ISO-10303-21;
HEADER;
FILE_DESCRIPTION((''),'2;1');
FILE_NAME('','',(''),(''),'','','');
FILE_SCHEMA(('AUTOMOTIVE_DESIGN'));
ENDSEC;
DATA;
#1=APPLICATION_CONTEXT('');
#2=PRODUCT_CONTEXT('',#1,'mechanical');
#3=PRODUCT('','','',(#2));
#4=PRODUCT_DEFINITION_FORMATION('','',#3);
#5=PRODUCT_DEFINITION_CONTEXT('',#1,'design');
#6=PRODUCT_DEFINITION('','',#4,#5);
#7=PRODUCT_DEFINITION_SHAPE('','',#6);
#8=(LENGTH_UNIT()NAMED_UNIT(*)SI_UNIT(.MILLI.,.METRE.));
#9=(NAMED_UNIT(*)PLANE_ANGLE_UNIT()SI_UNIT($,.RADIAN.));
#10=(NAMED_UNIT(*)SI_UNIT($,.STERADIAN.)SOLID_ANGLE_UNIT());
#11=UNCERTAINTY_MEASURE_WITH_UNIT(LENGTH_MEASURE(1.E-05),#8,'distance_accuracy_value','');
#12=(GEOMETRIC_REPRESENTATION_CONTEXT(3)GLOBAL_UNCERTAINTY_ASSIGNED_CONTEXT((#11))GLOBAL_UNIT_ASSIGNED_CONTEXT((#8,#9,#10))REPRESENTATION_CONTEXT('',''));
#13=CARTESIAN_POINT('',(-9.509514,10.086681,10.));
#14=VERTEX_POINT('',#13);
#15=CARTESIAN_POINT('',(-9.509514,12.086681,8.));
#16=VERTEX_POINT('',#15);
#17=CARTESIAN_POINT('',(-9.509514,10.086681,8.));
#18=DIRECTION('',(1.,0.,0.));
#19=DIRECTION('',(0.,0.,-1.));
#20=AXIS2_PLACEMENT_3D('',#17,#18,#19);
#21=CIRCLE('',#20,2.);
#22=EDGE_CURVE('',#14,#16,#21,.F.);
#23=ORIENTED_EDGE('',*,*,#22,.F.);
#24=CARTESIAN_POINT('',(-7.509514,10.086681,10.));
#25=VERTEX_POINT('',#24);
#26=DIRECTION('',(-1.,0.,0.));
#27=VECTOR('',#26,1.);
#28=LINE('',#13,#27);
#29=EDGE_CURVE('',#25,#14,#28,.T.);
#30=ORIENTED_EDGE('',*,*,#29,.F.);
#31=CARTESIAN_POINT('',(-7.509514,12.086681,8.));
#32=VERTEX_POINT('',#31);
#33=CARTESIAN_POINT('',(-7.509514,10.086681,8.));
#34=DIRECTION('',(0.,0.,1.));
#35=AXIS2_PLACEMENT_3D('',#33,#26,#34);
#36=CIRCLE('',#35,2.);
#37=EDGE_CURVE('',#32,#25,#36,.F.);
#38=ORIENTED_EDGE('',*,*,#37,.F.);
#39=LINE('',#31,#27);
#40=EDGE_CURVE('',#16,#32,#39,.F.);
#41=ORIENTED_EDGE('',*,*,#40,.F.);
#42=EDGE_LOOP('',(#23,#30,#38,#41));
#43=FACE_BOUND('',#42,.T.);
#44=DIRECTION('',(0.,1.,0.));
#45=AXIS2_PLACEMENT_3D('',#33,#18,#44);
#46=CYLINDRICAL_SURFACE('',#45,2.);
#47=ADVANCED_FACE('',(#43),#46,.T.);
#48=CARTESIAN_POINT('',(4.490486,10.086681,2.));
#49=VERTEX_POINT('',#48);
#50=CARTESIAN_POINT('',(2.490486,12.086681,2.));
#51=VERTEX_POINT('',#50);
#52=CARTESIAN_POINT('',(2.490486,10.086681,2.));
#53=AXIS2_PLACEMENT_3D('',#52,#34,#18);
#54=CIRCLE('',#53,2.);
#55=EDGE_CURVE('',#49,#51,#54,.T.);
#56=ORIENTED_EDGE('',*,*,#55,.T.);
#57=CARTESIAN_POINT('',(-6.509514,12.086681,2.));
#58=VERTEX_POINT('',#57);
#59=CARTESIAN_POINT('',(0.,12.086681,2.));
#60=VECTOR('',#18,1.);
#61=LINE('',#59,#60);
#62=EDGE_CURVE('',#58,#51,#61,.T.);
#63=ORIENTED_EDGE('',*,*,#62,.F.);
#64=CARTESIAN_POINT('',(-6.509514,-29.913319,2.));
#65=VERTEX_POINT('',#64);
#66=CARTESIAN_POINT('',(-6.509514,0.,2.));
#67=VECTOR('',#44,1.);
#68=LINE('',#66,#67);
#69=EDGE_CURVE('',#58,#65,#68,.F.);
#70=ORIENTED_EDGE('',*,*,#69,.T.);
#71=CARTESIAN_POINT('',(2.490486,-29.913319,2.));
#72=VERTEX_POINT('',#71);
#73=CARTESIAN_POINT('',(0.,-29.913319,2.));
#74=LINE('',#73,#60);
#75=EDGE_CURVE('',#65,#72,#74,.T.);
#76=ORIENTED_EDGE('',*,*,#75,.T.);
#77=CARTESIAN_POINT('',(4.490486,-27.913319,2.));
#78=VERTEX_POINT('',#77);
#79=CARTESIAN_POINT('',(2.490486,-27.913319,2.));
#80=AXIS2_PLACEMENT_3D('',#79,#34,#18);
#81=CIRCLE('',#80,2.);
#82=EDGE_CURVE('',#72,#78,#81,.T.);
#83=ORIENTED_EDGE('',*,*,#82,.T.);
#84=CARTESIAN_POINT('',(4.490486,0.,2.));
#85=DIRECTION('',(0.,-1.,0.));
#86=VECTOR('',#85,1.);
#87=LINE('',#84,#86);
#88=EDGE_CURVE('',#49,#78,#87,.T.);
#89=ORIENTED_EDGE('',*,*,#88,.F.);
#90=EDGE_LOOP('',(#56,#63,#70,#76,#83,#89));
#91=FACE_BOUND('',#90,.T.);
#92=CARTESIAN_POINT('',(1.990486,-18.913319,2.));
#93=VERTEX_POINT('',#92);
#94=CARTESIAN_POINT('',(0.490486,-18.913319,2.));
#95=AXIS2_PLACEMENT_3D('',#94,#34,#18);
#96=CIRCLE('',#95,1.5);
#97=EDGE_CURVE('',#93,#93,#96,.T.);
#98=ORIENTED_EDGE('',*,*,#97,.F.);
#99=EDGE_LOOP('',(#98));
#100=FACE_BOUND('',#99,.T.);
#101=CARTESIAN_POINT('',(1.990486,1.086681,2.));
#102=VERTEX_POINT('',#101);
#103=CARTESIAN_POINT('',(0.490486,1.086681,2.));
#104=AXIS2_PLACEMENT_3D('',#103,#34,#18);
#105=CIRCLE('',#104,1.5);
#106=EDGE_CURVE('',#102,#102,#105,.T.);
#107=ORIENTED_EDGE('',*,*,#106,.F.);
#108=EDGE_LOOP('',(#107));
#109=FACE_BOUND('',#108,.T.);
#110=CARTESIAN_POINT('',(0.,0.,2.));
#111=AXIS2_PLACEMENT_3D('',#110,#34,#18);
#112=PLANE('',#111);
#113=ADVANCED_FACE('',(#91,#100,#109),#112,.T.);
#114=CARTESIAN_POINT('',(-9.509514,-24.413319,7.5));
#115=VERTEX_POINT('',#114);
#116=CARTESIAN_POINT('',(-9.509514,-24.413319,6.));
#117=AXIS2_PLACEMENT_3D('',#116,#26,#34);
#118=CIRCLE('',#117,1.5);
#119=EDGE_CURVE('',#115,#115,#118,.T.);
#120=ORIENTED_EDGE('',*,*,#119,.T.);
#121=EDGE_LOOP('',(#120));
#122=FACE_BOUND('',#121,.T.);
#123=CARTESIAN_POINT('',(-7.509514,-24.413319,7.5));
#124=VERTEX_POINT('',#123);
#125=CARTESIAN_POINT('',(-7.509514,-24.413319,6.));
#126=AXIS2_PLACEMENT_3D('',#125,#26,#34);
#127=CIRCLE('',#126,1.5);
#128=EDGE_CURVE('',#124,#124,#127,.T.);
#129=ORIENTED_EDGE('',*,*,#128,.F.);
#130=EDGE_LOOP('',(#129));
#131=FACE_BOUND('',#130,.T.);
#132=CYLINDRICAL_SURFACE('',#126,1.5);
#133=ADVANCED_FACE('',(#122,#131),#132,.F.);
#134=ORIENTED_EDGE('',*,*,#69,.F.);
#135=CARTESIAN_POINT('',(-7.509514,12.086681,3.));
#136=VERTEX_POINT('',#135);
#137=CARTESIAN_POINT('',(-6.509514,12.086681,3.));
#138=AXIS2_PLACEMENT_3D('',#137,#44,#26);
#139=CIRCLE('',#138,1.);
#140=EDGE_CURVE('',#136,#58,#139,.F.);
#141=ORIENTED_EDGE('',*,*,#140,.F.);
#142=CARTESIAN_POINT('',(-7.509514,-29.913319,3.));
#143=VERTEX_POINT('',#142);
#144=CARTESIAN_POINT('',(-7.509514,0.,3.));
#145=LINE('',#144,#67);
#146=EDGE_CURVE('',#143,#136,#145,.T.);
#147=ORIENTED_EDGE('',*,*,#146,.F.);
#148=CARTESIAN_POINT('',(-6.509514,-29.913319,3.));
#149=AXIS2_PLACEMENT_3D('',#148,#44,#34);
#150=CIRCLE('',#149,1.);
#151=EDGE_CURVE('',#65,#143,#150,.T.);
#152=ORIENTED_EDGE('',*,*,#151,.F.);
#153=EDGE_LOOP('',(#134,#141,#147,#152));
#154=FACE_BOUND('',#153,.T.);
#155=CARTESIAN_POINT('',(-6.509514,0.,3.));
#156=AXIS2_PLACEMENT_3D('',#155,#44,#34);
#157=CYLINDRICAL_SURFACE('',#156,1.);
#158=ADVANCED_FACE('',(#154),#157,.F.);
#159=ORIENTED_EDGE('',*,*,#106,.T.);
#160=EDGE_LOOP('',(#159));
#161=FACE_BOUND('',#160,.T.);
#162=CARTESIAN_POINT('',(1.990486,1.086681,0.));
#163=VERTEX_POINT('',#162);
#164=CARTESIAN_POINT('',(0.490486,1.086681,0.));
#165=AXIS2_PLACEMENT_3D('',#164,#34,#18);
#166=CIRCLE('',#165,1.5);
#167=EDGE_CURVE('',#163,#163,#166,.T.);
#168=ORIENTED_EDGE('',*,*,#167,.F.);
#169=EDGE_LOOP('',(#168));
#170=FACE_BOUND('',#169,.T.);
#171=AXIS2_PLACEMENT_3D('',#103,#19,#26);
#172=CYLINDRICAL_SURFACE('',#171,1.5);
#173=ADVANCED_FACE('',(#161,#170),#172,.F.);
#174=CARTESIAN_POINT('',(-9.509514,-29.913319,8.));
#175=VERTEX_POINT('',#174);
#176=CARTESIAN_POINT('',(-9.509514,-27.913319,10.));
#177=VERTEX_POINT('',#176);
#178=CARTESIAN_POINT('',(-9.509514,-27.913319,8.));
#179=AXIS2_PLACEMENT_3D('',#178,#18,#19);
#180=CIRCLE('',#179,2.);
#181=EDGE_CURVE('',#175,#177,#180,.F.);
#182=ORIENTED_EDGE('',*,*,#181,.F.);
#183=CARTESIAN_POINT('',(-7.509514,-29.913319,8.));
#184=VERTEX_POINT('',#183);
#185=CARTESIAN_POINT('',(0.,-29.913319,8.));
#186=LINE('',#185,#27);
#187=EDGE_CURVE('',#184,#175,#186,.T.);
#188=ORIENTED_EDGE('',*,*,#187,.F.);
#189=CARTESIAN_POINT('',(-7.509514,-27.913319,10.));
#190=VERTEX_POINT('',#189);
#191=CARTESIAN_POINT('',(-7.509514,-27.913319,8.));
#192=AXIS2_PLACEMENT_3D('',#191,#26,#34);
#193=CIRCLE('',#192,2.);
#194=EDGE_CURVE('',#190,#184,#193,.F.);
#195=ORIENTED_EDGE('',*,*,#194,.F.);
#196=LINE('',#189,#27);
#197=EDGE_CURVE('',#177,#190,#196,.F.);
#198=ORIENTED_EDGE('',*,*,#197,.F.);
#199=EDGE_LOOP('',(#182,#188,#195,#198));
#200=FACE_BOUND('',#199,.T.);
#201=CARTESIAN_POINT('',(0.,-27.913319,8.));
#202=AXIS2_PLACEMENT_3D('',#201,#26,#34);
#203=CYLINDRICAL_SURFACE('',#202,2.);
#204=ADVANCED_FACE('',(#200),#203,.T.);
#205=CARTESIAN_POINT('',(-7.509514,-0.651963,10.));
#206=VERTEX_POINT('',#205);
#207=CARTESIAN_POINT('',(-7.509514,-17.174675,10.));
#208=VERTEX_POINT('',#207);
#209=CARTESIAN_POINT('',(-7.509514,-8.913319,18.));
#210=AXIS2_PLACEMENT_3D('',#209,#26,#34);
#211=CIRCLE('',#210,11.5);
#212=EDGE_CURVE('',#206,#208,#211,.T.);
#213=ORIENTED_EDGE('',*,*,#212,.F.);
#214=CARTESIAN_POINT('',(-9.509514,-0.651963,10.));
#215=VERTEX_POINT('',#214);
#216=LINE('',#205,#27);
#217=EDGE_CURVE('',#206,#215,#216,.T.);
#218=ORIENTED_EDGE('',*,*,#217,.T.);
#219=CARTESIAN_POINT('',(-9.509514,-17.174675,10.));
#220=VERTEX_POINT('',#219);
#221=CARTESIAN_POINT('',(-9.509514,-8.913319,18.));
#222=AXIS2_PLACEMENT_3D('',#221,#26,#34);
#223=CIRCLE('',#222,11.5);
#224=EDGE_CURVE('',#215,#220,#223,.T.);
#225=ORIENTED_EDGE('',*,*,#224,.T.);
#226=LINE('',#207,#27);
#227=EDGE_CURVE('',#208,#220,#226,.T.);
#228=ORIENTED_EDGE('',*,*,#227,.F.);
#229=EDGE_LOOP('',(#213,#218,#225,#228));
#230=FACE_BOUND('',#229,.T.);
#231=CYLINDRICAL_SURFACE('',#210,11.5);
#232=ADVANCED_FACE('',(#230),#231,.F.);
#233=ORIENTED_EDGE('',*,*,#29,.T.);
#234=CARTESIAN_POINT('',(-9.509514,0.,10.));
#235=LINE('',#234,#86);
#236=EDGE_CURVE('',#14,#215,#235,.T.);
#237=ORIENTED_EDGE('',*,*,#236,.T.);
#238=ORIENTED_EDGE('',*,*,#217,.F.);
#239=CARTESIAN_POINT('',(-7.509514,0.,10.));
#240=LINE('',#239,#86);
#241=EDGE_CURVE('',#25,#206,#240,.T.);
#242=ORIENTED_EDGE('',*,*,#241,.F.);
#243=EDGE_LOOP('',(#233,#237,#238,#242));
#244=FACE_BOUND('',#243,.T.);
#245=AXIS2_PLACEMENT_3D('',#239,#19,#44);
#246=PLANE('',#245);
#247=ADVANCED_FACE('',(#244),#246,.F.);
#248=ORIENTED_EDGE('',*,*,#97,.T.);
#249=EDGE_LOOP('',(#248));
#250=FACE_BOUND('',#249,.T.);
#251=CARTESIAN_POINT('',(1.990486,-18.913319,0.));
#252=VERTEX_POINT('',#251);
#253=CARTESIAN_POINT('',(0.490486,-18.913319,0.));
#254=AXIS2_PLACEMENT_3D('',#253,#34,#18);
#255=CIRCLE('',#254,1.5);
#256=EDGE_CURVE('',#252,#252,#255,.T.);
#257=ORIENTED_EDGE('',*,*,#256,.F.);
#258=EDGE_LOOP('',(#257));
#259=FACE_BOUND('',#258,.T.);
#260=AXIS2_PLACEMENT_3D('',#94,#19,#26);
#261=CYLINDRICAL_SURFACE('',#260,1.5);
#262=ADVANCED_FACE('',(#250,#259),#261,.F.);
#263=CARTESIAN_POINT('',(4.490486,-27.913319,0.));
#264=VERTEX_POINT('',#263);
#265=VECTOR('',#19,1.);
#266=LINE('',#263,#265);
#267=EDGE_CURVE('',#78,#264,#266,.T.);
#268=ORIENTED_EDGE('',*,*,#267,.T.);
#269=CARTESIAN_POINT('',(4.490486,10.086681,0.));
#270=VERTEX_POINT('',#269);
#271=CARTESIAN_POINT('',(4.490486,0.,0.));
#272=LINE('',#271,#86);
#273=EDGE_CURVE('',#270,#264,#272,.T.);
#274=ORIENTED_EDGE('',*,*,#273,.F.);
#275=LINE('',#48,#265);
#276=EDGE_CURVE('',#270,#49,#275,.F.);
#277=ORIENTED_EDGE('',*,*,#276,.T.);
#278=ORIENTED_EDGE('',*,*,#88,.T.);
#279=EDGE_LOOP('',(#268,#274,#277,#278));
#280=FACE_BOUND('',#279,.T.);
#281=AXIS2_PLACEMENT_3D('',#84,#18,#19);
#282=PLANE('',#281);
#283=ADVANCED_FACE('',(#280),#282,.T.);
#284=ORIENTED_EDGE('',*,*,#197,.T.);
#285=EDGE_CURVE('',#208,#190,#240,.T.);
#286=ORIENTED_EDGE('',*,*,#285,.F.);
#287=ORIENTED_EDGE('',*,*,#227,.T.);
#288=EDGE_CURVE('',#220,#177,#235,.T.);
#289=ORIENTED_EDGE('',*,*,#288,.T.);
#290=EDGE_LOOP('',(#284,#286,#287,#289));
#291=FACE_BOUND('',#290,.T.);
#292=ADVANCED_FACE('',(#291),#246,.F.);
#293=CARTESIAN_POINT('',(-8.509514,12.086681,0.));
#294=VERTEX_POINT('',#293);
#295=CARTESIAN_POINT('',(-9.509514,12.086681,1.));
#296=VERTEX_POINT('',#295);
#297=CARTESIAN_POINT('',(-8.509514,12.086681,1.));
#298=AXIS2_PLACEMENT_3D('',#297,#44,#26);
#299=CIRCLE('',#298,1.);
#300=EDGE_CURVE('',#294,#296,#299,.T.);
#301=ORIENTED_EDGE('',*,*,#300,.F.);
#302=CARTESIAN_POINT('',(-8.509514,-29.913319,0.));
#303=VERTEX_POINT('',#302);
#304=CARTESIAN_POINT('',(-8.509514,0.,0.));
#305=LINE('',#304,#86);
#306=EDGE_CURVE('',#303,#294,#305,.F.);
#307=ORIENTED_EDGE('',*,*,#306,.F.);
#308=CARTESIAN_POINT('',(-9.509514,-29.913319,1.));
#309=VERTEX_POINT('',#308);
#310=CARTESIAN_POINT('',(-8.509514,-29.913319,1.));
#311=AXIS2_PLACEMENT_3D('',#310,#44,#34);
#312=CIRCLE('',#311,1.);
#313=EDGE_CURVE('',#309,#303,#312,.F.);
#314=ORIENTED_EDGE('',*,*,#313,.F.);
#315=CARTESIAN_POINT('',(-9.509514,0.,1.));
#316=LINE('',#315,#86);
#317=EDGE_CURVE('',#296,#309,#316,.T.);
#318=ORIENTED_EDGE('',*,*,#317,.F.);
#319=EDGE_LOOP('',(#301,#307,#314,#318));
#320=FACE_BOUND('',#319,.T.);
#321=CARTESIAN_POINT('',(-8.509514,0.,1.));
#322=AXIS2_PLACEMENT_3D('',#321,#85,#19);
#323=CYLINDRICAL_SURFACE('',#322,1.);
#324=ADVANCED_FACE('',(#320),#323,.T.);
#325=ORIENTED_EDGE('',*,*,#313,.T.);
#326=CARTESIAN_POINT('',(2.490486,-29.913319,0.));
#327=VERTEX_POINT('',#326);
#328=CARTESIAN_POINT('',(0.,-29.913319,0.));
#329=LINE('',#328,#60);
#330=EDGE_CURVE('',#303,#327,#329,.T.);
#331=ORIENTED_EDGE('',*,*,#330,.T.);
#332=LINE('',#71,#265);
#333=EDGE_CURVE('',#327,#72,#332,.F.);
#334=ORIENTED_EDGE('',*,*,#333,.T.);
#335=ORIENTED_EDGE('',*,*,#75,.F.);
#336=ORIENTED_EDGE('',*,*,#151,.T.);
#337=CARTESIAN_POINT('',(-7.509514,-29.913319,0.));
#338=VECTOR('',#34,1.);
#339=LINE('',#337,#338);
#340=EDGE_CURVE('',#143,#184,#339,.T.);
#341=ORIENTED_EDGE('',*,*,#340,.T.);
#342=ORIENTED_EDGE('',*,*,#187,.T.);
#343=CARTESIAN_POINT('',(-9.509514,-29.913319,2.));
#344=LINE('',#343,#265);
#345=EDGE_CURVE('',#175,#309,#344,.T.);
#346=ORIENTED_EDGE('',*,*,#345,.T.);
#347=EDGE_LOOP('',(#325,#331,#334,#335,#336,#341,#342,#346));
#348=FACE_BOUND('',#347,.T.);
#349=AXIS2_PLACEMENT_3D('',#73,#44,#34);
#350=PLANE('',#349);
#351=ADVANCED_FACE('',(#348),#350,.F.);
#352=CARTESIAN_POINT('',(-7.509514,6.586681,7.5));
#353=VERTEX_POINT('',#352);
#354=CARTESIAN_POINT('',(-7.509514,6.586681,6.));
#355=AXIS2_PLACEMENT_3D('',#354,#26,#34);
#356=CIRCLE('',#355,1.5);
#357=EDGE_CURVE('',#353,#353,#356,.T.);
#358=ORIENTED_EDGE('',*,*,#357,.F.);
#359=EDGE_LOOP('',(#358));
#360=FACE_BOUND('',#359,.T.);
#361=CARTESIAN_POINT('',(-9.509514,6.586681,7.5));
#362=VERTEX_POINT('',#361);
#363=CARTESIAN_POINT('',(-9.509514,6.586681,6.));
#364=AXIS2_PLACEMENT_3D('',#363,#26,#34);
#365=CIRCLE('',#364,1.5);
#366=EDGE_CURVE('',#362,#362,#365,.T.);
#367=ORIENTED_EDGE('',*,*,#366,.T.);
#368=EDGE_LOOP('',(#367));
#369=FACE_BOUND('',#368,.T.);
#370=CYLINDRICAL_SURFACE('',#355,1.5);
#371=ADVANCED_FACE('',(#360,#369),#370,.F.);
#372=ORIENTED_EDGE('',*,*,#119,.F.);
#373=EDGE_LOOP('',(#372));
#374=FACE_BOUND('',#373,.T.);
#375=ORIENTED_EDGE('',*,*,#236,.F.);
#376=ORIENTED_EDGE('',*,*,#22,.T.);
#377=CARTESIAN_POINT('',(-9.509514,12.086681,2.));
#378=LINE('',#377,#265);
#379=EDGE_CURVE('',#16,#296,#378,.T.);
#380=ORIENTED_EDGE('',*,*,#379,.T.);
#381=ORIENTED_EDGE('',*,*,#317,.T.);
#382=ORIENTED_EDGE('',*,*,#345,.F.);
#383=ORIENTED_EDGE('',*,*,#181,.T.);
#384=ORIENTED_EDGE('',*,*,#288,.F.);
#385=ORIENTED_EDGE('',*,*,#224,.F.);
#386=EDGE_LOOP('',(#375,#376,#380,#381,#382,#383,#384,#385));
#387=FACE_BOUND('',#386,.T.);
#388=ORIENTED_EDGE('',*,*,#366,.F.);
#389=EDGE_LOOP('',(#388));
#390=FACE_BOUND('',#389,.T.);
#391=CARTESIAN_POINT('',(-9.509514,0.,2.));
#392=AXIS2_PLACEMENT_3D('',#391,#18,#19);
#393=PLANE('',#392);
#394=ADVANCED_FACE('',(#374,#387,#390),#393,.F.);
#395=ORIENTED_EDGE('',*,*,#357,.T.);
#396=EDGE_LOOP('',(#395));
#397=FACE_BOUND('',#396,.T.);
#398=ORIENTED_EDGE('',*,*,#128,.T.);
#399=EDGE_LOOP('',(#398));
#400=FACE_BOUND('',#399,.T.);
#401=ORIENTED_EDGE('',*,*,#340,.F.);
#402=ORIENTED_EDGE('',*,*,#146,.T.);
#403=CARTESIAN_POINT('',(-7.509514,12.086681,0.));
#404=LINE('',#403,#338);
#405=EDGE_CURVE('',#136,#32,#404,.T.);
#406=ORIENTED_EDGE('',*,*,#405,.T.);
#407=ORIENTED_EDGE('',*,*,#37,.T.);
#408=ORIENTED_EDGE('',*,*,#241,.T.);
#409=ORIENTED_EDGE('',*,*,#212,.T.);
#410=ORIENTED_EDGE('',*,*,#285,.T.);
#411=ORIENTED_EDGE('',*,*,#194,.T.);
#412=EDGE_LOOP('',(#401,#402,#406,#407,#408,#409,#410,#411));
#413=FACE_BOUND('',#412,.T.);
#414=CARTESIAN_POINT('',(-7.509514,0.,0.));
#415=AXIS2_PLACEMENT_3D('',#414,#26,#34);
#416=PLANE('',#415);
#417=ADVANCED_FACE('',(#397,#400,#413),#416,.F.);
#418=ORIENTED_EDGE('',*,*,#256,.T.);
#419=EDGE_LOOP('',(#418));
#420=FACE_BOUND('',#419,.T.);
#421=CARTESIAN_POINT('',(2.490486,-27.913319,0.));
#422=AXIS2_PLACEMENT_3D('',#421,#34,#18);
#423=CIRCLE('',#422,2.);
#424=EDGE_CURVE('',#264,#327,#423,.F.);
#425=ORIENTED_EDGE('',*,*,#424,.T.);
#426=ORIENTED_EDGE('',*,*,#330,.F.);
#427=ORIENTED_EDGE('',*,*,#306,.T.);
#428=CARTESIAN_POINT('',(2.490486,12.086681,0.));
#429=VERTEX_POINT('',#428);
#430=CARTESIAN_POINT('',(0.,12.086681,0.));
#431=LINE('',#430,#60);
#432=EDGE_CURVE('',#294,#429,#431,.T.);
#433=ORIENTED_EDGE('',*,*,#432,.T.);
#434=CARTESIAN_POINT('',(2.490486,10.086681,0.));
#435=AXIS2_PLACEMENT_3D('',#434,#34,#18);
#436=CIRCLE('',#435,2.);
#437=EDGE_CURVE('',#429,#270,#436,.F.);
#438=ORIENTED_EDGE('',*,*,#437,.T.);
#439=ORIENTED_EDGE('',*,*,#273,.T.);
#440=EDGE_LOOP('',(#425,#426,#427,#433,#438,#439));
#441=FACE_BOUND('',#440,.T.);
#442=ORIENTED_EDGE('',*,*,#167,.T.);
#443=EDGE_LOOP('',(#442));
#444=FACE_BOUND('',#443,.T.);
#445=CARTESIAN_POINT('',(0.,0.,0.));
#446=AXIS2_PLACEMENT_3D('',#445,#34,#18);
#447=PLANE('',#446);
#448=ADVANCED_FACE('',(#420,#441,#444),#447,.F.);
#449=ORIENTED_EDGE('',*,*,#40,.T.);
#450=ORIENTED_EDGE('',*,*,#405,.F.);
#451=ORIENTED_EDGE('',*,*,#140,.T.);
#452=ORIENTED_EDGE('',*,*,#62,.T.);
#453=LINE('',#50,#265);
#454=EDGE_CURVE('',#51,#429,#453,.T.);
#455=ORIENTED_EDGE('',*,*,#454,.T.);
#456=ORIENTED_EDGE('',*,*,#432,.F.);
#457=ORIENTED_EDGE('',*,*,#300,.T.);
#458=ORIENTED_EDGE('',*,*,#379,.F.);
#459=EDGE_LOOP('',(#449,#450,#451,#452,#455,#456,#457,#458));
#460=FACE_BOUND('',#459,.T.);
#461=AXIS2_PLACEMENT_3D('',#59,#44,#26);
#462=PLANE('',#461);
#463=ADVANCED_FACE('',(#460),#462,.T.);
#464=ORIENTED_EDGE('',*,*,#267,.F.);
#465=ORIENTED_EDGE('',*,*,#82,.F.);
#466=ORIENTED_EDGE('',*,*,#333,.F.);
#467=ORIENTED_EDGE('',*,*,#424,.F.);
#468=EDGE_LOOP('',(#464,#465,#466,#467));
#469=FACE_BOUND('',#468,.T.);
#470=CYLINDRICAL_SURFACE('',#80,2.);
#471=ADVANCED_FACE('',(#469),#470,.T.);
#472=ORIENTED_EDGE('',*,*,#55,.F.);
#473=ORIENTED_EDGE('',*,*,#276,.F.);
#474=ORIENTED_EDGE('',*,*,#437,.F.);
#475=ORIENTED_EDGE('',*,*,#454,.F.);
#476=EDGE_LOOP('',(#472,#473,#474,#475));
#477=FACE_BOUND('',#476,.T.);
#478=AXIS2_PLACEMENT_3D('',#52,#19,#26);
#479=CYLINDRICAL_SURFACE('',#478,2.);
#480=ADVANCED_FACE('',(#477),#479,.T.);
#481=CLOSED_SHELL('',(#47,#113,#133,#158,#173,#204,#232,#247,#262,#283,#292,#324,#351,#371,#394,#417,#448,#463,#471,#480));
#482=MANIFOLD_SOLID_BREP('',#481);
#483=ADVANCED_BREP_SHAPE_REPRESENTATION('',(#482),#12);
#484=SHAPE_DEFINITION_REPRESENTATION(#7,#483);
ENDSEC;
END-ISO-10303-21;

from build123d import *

# Parameters (mm, degrees)
SKETCH_1_W      = 14
SKETCH_1_H      = 42
SKETCH_1_R      = 1.5
EXTRUDE_1_DEPTH = 2
EXTRUDE_2_DEPTH = 2
FILLET_1_R      = 2
FILLET_2_R      = 1


with BuildPart() as part:
    # 草图1 → 凸台-拉伸1 (new body)
    with BuildSketch(Plane.XY):
        with Locations((-2.509513742, -8.913319239)):
            Rectangle(SKETCH_1_W, SKETCH_1_H)
        with Locations((0.490486258, 1.086680761)):
            Circle(SKETCH_1_R, mode=Mode.SUBTRACT)
        with Locations((0.490486258, -18.913319239)):
            Circle(SKETCH_1_R, mode=Mode.SUBTRACT)
    extrude(amount=EXTRUDE_1_DEPTH)

    # 草图2 → 凸台-拉伸2 (add)
    with BuildSketch(Plane.ZY.offset(9.509513742)):
        with BuildLine():
            Line((10, 12.086680761), (2, 12.086680761))
            Line((2, 12.086680761), (2, -29.913319239))
            Line((2, -29.913319239), (10, -29.913319239))
            Line((10, -29.913319239), (10, -17.17467506))
            ThreePointArc((10, -17.17467506), (6.5, -8.913319239), (10, -0.651963418))
            Line((10, -0.651963418), (10, 12.086680761))
        make_face()
        with BuildLine():
            ThreePointArc((7.5, -24.413319239), (4.939339828, -25.473979411), (6, -22.913319239))
            ThreePointArc((6, -22.913319239), (7.060660172, -23.352659067), (7.5, -24.413319239))
        make_face(mode=Mode.SUBTRACT)
        with BuildLine():
            ThreePointArc((7.5, 6.586680761), (7.060660172, 5.526020589), (6, 5.086680761))
            ThreePointArc((6, 5.086680761), (4.939339828, 7.647340933), (7.5, 6.586680761))
        make_face(mode=Mode.SUBTRACT)
    extrude(amount=-EXTRUDE_2_DEPTH)

    # 圆角1
    fillet_1_edges = [part.edges().sort_by_distance(p)[0] for p in [
        (4.490486258, -29.913319239, 1),
        (4.490486258, 12.086680761, 1),
        (-8.509513742, -29.913319239, 10),
        (-8.509513742, 12.086680761, 10),
    ]]
    fillet(fillet_1_edges, radius=FILLET_1_R)

    # 圆角2
    fillet_2_edges = [part.edges().sort_by_distance(p)[0] for p in [
        (-7.509513742, -8.913319239, 2),
        (-9.509513742, -8.913319239, 0),
    ]]
    fillet(fillet_2_edges, radius=FILLET_2_R)


solid = part.part
